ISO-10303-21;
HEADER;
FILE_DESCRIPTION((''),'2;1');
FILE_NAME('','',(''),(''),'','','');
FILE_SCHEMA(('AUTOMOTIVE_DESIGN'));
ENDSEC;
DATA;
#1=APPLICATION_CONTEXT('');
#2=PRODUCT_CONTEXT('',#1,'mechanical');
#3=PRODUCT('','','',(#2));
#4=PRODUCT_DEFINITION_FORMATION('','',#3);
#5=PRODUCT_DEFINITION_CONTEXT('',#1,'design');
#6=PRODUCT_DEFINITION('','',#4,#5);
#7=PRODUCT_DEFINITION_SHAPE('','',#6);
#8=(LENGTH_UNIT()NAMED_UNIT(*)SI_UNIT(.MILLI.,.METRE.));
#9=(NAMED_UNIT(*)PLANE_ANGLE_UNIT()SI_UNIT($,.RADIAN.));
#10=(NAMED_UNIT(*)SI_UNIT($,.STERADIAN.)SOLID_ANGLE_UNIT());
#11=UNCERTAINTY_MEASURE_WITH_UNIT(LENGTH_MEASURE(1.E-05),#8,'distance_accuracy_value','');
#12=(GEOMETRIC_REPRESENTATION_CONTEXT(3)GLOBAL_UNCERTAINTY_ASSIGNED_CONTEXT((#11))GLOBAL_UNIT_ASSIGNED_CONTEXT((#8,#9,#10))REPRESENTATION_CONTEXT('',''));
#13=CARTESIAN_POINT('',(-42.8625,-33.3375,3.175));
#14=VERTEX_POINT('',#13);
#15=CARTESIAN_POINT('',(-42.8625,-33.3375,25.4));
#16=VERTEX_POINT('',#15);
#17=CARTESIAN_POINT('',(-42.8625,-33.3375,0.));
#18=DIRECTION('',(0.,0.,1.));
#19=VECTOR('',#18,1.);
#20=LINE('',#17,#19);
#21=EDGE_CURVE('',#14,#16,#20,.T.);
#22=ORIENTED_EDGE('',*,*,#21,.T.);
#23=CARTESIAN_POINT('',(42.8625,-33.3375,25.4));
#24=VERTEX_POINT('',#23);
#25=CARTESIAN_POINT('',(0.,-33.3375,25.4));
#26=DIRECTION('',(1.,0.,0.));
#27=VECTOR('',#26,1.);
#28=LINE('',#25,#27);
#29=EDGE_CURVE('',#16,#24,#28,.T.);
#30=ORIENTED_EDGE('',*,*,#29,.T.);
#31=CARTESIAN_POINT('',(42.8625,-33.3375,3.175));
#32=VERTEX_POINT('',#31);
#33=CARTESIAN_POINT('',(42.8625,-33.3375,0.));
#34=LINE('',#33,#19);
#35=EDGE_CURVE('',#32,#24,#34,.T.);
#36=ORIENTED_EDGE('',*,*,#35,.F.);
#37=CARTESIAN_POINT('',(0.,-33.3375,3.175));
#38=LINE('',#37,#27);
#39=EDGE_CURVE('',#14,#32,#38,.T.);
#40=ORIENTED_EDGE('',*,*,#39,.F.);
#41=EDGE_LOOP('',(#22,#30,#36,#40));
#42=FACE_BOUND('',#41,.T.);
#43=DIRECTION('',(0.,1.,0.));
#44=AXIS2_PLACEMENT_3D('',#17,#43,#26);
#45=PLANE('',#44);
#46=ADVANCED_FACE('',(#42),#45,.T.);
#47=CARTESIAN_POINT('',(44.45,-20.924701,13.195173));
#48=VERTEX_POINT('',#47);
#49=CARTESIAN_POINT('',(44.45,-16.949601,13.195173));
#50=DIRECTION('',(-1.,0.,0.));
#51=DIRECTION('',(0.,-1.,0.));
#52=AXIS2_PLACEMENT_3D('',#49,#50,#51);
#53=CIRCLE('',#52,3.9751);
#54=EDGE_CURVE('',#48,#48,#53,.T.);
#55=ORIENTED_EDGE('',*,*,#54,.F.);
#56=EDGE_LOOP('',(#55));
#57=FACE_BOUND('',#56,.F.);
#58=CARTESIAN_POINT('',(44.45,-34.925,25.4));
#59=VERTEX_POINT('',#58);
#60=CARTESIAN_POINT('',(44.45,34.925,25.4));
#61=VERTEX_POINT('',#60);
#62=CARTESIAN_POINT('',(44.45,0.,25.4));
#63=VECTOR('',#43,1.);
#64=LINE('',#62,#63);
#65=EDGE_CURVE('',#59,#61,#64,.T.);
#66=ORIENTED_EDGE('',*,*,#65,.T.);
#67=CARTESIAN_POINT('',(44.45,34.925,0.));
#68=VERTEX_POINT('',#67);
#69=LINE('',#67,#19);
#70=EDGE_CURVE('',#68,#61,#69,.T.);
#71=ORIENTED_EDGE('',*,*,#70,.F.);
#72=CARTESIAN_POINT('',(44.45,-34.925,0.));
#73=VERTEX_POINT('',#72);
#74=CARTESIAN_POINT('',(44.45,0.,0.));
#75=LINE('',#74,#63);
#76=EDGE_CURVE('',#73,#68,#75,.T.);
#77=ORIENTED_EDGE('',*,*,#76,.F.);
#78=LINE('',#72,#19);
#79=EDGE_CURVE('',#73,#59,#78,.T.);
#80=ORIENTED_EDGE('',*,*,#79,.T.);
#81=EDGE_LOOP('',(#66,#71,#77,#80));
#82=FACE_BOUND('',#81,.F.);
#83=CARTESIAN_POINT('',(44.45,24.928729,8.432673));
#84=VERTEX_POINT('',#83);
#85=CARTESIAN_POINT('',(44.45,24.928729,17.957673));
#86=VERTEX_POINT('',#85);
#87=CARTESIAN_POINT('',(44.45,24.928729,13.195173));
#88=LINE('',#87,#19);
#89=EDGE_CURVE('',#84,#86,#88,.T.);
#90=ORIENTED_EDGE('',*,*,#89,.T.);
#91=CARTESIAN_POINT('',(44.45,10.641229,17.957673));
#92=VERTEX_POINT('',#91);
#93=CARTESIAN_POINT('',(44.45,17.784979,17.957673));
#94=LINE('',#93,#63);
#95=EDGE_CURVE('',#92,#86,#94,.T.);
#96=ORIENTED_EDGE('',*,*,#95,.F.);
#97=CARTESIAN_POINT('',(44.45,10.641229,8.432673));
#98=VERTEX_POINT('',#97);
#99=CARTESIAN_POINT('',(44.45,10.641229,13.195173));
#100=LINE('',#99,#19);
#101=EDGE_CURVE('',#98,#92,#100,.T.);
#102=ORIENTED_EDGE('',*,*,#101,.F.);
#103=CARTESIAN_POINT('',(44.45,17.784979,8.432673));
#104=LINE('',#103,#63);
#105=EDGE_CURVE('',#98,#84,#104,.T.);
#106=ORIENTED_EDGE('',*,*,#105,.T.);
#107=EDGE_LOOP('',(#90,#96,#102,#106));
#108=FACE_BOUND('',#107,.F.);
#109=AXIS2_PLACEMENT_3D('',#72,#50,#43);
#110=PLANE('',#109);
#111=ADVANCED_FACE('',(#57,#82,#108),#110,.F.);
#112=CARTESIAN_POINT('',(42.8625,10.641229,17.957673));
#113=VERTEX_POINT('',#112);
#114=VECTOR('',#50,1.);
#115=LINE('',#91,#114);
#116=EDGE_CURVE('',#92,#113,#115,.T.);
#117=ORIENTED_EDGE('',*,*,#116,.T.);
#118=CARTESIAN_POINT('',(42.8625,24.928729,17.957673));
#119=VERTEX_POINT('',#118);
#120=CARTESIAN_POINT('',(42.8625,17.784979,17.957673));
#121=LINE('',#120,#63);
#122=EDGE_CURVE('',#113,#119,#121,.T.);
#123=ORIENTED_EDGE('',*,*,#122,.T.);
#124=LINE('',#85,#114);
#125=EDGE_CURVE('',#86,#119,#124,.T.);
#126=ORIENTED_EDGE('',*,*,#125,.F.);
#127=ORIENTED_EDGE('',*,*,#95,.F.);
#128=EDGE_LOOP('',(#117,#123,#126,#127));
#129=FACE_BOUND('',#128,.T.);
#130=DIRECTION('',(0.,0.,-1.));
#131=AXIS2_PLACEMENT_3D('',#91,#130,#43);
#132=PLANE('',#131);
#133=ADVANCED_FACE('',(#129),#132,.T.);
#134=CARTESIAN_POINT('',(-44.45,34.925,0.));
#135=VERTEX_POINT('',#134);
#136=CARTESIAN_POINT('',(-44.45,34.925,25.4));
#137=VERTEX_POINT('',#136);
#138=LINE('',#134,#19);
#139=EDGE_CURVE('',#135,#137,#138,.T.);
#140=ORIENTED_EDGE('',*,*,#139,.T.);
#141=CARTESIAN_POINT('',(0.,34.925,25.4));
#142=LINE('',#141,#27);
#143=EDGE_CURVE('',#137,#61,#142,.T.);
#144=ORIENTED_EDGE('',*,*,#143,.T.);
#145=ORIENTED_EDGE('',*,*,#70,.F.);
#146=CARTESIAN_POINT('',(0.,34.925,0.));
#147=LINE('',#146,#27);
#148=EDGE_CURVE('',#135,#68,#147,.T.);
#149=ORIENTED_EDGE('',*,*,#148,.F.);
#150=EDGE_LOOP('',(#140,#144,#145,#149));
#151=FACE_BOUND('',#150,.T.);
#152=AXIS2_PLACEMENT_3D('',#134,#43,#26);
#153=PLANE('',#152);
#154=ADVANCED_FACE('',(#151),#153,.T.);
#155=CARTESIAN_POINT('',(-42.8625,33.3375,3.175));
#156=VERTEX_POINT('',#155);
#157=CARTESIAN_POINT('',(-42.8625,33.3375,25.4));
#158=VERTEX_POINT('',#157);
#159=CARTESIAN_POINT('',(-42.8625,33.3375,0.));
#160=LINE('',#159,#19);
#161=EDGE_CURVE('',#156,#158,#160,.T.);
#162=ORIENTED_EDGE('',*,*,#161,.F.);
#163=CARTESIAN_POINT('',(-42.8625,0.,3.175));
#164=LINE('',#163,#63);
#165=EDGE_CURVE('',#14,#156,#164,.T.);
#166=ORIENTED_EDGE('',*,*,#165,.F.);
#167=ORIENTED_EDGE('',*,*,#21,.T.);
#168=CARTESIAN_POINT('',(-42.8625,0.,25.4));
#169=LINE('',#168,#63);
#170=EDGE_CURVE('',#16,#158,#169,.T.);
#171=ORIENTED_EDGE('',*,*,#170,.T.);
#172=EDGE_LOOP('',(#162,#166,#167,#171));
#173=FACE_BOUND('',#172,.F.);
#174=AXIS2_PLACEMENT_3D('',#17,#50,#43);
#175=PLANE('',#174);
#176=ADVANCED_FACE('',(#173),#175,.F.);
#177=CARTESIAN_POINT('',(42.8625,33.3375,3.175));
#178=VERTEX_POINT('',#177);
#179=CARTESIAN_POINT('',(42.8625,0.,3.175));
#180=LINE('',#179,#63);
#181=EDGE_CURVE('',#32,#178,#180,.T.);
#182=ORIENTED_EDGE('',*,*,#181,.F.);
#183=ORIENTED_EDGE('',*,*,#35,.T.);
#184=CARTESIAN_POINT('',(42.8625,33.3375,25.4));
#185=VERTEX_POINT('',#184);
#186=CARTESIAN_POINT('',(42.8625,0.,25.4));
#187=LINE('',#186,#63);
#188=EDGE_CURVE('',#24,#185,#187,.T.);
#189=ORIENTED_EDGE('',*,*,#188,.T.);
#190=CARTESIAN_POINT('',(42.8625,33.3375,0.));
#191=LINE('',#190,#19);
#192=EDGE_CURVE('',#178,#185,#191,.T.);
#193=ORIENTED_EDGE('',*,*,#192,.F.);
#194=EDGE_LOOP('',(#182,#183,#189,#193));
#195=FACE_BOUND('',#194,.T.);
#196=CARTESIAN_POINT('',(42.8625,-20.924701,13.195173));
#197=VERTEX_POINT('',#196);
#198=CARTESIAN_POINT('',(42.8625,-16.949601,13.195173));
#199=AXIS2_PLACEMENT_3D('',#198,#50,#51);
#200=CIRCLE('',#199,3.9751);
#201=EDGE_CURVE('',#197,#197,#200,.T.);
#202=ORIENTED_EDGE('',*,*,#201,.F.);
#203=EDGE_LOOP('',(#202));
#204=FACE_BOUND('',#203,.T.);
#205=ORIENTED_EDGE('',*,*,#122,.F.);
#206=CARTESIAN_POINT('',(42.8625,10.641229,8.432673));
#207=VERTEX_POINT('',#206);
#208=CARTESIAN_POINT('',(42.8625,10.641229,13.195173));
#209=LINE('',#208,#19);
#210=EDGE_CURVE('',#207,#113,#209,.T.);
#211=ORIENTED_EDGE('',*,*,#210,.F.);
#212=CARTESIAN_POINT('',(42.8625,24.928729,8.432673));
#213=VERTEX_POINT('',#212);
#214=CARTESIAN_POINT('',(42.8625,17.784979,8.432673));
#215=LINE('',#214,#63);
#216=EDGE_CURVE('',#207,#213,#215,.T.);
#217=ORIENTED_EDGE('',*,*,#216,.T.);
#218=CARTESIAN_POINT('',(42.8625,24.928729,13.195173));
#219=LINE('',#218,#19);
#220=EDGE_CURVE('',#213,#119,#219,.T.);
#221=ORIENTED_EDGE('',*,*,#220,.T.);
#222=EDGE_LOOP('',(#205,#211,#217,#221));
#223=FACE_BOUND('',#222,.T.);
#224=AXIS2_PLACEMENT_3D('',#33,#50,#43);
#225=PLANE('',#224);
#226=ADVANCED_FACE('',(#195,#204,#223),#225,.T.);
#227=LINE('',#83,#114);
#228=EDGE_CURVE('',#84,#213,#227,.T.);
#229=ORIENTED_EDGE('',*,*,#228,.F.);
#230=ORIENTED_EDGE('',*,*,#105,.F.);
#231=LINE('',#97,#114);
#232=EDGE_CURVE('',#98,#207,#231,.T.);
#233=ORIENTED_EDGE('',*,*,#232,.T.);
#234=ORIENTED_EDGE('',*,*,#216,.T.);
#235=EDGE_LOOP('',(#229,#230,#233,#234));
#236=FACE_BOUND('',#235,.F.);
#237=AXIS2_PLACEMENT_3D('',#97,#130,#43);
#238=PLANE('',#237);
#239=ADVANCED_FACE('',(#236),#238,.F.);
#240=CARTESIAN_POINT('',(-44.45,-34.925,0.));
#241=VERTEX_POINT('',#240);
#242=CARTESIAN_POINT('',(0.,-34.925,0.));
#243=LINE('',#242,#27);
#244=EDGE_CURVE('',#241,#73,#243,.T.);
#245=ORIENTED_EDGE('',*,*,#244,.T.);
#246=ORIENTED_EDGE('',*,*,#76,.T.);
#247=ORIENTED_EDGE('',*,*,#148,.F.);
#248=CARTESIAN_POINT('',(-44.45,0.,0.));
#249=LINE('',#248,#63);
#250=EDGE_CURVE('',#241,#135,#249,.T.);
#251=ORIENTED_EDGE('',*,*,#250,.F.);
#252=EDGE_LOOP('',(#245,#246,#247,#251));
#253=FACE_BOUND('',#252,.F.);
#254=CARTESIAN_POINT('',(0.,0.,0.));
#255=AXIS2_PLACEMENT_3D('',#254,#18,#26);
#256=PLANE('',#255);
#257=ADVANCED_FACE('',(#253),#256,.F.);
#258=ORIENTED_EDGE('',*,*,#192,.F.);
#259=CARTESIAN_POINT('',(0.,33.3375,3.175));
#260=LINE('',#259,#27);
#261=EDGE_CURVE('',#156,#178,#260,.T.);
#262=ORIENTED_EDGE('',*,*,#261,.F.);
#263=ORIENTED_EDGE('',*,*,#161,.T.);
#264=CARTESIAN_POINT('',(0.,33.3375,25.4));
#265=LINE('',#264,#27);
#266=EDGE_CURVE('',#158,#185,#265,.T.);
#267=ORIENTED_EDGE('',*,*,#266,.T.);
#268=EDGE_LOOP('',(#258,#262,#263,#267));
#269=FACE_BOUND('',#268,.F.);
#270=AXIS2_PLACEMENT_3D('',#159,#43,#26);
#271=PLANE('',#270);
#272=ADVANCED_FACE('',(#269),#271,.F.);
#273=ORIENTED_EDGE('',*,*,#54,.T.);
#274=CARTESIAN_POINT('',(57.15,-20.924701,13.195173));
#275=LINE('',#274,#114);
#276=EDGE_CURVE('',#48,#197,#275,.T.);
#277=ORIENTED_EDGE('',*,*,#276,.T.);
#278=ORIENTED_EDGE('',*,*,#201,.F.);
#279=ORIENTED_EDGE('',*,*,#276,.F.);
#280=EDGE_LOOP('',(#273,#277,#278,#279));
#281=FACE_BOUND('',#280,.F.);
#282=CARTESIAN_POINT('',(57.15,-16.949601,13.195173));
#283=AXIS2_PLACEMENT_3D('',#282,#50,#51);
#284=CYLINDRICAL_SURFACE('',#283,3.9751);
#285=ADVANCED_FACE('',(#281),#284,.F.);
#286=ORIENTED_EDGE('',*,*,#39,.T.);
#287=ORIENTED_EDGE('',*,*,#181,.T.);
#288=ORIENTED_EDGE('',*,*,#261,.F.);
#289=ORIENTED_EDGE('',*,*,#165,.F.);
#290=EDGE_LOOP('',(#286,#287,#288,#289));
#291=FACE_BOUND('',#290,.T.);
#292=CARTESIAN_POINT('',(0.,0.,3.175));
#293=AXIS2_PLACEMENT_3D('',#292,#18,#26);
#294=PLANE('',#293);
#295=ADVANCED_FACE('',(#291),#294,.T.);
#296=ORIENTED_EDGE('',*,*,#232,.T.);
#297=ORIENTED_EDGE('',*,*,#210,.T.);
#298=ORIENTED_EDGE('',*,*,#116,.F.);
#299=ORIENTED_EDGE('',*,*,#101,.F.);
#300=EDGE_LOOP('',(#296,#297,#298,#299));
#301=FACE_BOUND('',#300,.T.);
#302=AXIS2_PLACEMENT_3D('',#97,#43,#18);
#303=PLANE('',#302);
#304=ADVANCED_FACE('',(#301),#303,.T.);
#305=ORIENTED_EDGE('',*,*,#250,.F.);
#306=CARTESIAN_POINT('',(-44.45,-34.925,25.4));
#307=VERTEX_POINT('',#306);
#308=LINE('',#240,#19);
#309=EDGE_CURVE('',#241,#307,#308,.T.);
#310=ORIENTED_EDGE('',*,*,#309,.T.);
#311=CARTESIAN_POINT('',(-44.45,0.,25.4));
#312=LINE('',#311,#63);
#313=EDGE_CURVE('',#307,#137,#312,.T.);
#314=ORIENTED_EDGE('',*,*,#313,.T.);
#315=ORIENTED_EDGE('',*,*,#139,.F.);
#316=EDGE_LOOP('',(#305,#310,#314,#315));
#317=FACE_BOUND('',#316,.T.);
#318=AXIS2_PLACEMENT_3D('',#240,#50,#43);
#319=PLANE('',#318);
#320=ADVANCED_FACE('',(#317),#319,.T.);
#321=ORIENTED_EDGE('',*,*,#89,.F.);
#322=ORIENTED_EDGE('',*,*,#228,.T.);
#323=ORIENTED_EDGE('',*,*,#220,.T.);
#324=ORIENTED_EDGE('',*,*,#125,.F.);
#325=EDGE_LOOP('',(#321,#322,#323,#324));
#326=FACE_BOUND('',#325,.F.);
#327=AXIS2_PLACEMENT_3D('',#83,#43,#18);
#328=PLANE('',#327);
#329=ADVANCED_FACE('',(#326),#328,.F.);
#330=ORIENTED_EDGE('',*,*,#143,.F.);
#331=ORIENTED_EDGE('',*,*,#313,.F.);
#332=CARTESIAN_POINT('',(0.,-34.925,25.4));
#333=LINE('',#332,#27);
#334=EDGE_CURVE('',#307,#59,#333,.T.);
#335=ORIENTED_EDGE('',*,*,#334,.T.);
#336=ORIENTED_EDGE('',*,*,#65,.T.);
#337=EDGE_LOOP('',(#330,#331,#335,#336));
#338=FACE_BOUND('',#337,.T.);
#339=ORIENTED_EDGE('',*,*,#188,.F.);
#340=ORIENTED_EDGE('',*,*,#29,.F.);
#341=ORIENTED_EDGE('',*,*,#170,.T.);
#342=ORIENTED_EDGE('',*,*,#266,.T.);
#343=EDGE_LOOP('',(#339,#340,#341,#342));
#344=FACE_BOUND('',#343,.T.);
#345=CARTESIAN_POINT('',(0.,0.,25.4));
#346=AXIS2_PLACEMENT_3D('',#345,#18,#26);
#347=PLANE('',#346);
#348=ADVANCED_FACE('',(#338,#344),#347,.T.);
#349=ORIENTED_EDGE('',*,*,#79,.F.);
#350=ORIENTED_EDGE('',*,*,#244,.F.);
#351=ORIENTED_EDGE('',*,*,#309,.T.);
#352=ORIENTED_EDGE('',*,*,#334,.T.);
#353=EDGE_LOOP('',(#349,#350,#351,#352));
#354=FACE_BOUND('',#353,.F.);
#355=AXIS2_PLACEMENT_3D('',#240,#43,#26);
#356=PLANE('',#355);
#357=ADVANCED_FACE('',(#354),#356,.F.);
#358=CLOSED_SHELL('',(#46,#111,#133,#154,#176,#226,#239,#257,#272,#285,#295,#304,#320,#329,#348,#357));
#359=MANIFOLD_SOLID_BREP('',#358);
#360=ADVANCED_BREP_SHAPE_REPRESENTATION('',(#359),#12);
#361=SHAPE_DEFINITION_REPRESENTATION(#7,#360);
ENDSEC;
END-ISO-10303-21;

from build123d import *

# Parameters (mm, degrees)
F0_W     = 88.9
F0_H     = 69.85
F0_W_2   = 85.725
F0_H_2   = 66.675
F1_DEPTH = 25.4
F2_DEPTH = 3.175
F4_D     = 7.9502
F4_DEPTH = 12.7
F3_W     = 14.2875
F3_H     = 9.525
F5_DEPTH = 1.5875


with BuildPart() as f1:
    # F0 (on Top) → F1 (new body)
    with BuildSketch(Plane.XY):
        Rectangle(F0_W, F0_H)
        Rectangle(F0_W_2, F0_H_2, mode=Mode.SUBTRACT)
    extrude(amount=F1_DEPTH)

    # F0 (on Top) → F2 (join)
    with BuildSketch(Plane.XY):
        Rectangle(F0_W_2, F0_H_2)
    extrude(amount=F2_DEPTH)

    # F4
    with Locations(Plane.YZ.offset(44.45)):
        with Locations((-16.949601, 13.195173)):
            Hole(F4_D / 2, depth=F4_DEPTH)

    # F3 (on face) → F5 (cut, through all)
    with BuildSketch(Plane.YZ.offset(44.45)):
        with Locations((17.784979, 13.195173)):
            Rectangle(F3_W, F3_H)
    extrude(amount=-F5_DEPTH, mode=Mode.SUBTRACT)


solid = f1.part
